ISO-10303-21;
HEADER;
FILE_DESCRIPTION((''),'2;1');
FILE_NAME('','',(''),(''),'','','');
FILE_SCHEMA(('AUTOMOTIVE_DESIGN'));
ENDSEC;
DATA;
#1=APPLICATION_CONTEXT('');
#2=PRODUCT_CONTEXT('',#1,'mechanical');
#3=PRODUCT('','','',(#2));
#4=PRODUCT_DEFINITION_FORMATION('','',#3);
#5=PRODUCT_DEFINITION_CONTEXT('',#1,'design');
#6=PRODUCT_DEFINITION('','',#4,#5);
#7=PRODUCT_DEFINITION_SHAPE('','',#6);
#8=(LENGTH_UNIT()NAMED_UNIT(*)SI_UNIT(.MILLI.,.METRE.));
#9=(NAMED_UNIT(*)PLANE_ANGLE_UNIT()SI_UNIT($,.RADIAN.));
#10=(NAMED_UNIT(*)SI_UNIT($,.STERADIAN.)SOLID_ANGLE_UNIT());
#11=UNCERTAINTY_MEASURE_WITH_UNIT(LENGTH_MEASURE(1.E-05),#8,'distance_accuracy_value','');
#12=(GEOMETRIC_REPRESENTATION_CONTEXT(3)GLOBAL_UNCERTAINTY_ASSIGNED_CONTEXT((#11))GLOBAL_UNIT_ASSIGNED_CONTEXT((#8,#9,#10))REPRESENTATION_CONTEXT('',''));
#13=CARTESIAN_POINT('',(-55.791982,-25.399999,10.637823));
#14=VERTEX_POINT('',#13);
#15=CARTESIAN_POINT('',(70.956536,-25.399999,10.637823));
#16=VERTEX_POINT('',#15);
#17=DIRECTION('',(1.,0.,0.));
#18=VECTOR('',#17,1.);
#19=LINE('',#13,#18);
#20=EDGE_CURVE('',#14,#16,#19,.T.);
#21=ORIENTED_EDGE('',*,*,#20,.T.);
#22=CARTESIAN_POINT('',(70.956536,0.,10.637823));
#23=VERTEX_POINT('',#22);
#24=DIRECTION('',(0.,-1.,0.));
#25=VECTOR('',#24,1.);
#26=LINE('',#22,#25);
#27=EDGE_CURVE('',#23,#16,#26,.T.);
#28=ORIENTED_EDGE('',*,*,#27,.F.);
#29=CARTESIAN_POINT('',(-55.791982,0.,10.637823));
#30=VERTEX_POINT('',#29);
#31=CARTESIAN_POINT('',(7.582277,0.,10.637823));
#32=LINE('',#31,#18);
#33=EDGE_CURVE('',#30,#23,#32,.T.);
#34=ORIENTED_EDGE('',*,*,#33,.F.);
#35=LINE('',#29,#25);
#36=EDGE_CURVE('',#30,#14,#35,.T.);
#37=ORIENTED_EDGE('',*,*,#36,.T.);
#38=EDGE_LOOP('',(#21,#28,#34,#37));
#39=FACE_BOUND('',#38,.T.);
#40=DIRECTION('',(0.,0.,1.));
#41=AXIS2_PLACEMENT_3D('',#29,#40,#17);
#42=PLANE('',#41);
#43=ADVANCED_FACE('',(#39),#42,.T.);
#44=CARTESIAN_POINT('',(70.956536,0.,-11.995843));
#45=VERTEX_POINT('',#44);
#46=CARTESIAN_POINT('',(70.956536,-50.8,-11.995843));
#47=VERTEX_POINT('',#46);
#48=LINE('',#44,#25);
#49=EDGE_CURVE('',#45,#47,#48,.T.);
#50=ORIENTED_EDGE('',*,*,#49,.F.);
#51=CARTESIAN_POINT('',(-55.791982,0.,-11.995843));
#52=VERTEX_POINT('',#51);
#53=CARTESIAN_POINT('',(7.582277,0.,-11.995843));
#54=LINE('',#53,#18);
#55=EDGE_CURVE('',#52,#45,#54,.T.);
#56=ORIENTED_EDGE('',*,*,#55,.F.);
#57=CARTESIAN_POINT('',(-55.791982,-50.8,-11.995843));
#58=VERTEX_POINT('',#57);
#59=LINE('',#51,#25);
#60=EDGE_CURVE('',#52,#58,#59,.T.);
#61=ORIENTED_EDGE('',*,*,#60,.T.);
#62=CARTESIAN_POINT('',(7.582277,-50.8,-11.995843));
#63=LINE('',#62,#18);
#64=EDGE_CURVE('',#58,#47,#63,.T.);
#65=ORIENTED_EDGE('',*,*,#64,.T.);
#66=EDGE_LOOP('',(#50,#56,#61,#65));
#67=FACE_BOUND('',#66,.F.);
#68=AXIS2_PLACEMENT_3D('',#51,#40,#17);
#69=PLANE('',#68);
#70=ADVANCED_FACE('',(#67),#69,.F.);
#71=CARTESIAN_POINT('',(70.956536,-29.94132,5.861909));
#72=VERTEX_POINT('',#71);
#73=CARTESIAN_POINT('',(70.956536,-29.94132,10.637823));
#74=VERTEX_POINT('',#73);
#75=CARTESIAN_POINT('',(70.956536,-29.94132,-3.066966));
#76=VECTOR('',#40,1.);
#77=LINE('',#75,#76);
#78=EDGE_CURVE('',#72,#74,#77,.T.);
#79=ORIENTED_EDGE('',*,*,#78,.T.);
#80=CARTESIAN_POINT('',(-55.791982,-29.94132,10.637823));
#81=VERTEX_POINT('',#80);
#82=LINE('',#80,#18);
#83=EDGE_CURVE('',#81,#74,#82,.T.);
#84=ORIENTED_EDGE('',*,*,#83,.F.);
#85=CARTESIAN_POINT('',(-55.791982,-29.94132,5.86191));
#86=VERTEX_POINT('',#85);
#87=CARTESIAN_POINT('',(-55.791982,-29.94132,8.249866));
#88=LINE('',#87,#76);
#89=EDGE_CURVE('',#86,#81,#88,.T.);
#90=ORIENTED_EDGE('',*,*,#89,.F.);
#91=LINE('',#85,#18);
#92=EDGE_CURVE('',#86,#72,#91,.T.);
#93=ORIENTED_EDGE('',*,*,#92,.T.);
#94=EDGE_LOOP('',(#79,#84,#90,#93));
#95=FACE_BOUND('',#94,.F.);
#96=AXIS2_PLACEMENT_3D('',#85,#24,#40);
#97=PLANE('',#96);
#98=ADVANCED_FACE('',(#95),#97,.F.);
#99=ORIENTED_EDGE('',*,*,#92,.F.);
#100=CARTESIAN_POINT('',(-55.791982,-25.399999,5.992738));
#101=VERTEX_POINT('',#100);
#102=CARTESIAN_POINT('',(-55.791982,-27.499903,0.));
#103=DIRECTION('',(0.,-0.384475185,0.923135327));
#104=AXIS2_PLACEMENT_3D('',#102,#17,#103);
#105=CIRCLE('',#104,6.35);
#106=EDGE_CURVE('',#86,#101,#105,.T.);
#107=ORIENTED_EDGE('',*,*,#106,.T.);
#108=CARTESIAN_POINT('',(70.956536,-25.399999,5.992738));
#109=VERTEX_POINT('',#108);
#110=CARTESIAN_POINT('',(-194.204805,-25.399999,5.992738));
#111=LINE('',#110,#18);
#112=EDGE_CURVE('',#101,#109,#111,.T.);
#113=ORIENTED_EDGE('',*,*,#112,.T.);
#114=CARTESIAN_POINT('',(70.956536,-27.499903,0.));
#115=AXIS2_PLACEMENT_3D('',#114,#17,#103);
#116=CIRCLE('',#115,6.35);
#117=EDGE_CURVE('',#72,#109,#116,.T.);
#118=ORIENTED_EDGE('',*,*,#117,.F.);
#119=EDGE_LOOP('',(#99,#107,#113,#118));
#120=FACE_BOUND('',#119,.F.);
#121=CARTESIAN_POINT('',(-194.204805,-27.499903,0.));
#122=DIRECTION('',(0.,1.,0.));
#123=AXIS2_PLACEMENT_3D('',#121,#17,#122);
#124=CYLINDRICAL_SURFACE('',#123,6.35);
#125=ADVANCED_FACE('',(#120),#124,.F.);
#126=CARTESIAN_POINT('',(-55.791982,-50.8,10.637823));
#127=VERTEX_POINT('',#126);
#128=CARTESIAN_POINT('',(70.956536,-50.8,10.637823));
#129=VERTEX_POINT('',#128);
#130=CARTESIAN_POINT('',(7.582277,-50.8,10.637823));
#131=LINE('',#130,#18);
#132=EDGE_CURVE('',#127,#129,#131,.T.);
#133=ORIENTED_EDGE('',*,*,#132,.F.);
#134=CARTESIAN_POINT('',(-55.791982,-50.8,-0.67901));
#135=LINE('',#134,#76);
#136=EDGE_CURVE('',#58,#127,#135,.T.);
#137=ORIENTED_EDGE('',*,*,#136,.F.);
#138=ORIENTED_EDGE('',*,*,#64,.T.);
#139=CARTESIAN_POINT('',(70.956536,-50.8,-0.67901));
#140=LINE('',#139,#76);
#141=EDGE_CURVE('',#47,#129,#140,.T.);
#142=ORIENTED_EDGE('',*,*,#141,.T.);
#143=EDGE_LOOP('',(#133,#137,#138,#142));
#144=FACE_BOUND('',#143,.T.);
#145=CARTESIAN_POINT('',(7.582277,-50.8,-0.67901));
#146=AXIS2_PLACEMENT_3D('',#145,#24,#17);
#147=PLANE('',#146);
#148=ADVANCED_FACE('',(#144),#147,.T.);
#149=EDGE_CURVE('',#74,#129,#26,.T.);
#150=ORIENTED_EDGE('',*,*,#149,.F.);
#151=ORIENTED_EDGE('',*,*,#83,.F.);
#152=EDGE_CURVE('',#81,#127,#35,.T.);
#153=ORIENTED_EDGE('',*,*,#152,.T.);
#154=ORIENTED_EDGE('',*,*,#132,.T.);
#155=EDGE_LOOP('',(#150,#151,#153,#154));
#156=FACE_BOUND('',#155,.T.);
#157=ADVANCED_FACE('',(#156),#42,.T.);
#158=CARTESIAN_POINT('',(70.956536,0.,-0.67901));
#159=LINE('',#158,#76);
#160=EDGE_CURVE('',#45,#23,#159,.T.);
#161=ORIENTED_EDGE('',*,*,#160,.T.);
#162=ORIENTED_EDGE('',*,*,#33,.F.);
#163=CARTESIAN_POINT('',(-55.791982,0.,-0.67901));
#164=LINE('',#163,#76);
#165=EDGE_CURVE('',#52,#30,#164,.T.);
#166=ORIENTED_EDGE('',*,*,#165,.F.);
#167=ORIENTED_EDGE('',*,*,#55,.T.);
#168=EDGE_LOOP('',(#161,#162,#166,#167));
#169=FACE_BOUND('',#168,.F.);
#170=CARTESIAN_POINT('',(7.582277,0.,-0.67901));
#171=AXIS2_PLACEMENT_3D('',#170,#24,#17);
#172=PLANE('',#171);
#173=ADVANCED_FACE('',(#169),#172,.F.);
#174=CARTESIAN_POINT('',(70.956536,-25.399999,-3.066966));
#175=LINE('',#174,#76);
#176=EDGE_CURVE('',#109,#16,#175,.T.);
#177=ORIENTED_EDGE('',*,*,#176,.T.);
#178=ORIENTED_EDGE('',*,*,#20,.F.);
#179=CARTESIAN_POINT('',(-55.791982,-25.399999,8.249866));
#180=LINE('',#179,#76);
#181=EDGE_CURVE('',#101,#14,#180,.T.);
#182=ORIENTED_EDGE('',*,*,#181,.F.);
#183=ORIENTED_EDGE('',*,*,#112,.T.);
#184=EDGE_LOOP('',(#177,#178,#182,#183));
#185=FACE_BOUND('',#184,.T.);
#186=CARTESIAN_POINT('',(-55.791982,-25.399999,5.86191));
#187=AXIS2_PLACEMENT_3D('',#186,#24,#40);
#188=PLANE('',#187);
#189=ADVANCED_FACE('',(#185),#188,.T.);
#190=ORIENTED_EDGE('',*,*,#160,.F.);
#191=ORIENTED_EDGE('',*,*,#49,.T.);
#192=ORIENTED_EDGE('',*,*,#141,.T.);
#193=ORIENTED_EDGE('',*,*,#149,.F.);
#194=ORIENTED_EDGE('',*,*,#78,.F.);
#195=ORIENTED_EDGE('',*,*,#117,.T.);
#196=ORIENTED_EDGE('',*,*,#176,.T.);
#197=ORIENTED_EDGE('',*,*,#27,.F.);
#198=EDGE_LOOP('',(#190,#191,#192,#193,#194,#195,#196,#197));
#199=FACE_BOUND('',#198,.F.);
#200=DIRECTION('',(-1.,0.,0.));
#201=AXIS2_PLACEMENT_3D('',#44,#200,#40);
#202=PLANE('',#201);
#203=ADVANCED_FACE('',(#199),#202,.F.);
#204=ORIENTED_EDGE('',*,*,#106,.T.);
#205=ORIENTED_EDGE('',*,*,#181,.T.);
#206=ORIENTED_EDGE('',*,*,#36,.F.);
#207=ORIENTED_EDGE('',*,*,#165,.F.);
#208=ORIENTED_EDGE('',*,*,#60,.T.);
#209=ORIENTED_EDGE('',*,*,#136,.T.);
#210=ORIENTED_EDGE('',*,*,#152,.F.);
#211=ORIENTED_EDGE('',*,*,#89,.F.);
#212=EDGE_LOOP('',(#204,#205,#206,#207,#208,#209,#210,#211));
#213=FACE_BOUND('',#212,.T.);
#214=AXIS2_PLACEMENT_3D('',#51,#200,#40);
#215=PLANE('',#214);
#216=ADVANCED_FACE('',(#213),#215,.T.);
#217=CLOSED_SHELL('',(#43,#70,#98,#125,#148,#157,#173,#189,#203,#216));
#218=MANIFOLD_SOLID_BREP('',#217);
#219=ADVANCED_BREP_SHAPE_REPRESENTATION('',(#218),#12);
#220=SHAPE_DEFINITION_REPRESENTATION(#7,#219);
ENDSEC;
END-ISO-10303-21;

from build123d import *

# Parameters (mm, degrees)
F0_W     = 126.748518
F0_H     = 22.633665
F1_DEPTH = 50.8
F3_D     = 12.7
F4_W     = 4.541321
F4_H     = 4.775913
F5_DEPTH = 254


with BuildPart() as f1:
    # F0 (on Front) → F1 (new body)
    with BuildSketch(Plane.XZ):
        with Locations((7.582277, -0.67901)):
            Rectangle(F0_W, F0_H)
    extrude(amount=F1_DEPTH)

    # F3 (through all)
    with Locations(Plane(origin=(-55.791982, 0, 0), x_dir=(0, -1, 0), z_dir=(-1, 0, 0))):
        with Locations((27.499903, 0)):
            Hole(F3_D / 2)

    # F4 (on face) → F5 (cut)
    with BuildSketch(Plane(origin=(-55.791982, 0, 0), x_dir=(0, -1, 0), z_dir=(-1, 0, 0))):
        with Locations((27.67066, 8.249866)):
            Rectangle(F4_W, F4_H)
    extrude(amount=-F5_DEPTH, mode=Mode.SUBTRACT)


solid = f1.part
